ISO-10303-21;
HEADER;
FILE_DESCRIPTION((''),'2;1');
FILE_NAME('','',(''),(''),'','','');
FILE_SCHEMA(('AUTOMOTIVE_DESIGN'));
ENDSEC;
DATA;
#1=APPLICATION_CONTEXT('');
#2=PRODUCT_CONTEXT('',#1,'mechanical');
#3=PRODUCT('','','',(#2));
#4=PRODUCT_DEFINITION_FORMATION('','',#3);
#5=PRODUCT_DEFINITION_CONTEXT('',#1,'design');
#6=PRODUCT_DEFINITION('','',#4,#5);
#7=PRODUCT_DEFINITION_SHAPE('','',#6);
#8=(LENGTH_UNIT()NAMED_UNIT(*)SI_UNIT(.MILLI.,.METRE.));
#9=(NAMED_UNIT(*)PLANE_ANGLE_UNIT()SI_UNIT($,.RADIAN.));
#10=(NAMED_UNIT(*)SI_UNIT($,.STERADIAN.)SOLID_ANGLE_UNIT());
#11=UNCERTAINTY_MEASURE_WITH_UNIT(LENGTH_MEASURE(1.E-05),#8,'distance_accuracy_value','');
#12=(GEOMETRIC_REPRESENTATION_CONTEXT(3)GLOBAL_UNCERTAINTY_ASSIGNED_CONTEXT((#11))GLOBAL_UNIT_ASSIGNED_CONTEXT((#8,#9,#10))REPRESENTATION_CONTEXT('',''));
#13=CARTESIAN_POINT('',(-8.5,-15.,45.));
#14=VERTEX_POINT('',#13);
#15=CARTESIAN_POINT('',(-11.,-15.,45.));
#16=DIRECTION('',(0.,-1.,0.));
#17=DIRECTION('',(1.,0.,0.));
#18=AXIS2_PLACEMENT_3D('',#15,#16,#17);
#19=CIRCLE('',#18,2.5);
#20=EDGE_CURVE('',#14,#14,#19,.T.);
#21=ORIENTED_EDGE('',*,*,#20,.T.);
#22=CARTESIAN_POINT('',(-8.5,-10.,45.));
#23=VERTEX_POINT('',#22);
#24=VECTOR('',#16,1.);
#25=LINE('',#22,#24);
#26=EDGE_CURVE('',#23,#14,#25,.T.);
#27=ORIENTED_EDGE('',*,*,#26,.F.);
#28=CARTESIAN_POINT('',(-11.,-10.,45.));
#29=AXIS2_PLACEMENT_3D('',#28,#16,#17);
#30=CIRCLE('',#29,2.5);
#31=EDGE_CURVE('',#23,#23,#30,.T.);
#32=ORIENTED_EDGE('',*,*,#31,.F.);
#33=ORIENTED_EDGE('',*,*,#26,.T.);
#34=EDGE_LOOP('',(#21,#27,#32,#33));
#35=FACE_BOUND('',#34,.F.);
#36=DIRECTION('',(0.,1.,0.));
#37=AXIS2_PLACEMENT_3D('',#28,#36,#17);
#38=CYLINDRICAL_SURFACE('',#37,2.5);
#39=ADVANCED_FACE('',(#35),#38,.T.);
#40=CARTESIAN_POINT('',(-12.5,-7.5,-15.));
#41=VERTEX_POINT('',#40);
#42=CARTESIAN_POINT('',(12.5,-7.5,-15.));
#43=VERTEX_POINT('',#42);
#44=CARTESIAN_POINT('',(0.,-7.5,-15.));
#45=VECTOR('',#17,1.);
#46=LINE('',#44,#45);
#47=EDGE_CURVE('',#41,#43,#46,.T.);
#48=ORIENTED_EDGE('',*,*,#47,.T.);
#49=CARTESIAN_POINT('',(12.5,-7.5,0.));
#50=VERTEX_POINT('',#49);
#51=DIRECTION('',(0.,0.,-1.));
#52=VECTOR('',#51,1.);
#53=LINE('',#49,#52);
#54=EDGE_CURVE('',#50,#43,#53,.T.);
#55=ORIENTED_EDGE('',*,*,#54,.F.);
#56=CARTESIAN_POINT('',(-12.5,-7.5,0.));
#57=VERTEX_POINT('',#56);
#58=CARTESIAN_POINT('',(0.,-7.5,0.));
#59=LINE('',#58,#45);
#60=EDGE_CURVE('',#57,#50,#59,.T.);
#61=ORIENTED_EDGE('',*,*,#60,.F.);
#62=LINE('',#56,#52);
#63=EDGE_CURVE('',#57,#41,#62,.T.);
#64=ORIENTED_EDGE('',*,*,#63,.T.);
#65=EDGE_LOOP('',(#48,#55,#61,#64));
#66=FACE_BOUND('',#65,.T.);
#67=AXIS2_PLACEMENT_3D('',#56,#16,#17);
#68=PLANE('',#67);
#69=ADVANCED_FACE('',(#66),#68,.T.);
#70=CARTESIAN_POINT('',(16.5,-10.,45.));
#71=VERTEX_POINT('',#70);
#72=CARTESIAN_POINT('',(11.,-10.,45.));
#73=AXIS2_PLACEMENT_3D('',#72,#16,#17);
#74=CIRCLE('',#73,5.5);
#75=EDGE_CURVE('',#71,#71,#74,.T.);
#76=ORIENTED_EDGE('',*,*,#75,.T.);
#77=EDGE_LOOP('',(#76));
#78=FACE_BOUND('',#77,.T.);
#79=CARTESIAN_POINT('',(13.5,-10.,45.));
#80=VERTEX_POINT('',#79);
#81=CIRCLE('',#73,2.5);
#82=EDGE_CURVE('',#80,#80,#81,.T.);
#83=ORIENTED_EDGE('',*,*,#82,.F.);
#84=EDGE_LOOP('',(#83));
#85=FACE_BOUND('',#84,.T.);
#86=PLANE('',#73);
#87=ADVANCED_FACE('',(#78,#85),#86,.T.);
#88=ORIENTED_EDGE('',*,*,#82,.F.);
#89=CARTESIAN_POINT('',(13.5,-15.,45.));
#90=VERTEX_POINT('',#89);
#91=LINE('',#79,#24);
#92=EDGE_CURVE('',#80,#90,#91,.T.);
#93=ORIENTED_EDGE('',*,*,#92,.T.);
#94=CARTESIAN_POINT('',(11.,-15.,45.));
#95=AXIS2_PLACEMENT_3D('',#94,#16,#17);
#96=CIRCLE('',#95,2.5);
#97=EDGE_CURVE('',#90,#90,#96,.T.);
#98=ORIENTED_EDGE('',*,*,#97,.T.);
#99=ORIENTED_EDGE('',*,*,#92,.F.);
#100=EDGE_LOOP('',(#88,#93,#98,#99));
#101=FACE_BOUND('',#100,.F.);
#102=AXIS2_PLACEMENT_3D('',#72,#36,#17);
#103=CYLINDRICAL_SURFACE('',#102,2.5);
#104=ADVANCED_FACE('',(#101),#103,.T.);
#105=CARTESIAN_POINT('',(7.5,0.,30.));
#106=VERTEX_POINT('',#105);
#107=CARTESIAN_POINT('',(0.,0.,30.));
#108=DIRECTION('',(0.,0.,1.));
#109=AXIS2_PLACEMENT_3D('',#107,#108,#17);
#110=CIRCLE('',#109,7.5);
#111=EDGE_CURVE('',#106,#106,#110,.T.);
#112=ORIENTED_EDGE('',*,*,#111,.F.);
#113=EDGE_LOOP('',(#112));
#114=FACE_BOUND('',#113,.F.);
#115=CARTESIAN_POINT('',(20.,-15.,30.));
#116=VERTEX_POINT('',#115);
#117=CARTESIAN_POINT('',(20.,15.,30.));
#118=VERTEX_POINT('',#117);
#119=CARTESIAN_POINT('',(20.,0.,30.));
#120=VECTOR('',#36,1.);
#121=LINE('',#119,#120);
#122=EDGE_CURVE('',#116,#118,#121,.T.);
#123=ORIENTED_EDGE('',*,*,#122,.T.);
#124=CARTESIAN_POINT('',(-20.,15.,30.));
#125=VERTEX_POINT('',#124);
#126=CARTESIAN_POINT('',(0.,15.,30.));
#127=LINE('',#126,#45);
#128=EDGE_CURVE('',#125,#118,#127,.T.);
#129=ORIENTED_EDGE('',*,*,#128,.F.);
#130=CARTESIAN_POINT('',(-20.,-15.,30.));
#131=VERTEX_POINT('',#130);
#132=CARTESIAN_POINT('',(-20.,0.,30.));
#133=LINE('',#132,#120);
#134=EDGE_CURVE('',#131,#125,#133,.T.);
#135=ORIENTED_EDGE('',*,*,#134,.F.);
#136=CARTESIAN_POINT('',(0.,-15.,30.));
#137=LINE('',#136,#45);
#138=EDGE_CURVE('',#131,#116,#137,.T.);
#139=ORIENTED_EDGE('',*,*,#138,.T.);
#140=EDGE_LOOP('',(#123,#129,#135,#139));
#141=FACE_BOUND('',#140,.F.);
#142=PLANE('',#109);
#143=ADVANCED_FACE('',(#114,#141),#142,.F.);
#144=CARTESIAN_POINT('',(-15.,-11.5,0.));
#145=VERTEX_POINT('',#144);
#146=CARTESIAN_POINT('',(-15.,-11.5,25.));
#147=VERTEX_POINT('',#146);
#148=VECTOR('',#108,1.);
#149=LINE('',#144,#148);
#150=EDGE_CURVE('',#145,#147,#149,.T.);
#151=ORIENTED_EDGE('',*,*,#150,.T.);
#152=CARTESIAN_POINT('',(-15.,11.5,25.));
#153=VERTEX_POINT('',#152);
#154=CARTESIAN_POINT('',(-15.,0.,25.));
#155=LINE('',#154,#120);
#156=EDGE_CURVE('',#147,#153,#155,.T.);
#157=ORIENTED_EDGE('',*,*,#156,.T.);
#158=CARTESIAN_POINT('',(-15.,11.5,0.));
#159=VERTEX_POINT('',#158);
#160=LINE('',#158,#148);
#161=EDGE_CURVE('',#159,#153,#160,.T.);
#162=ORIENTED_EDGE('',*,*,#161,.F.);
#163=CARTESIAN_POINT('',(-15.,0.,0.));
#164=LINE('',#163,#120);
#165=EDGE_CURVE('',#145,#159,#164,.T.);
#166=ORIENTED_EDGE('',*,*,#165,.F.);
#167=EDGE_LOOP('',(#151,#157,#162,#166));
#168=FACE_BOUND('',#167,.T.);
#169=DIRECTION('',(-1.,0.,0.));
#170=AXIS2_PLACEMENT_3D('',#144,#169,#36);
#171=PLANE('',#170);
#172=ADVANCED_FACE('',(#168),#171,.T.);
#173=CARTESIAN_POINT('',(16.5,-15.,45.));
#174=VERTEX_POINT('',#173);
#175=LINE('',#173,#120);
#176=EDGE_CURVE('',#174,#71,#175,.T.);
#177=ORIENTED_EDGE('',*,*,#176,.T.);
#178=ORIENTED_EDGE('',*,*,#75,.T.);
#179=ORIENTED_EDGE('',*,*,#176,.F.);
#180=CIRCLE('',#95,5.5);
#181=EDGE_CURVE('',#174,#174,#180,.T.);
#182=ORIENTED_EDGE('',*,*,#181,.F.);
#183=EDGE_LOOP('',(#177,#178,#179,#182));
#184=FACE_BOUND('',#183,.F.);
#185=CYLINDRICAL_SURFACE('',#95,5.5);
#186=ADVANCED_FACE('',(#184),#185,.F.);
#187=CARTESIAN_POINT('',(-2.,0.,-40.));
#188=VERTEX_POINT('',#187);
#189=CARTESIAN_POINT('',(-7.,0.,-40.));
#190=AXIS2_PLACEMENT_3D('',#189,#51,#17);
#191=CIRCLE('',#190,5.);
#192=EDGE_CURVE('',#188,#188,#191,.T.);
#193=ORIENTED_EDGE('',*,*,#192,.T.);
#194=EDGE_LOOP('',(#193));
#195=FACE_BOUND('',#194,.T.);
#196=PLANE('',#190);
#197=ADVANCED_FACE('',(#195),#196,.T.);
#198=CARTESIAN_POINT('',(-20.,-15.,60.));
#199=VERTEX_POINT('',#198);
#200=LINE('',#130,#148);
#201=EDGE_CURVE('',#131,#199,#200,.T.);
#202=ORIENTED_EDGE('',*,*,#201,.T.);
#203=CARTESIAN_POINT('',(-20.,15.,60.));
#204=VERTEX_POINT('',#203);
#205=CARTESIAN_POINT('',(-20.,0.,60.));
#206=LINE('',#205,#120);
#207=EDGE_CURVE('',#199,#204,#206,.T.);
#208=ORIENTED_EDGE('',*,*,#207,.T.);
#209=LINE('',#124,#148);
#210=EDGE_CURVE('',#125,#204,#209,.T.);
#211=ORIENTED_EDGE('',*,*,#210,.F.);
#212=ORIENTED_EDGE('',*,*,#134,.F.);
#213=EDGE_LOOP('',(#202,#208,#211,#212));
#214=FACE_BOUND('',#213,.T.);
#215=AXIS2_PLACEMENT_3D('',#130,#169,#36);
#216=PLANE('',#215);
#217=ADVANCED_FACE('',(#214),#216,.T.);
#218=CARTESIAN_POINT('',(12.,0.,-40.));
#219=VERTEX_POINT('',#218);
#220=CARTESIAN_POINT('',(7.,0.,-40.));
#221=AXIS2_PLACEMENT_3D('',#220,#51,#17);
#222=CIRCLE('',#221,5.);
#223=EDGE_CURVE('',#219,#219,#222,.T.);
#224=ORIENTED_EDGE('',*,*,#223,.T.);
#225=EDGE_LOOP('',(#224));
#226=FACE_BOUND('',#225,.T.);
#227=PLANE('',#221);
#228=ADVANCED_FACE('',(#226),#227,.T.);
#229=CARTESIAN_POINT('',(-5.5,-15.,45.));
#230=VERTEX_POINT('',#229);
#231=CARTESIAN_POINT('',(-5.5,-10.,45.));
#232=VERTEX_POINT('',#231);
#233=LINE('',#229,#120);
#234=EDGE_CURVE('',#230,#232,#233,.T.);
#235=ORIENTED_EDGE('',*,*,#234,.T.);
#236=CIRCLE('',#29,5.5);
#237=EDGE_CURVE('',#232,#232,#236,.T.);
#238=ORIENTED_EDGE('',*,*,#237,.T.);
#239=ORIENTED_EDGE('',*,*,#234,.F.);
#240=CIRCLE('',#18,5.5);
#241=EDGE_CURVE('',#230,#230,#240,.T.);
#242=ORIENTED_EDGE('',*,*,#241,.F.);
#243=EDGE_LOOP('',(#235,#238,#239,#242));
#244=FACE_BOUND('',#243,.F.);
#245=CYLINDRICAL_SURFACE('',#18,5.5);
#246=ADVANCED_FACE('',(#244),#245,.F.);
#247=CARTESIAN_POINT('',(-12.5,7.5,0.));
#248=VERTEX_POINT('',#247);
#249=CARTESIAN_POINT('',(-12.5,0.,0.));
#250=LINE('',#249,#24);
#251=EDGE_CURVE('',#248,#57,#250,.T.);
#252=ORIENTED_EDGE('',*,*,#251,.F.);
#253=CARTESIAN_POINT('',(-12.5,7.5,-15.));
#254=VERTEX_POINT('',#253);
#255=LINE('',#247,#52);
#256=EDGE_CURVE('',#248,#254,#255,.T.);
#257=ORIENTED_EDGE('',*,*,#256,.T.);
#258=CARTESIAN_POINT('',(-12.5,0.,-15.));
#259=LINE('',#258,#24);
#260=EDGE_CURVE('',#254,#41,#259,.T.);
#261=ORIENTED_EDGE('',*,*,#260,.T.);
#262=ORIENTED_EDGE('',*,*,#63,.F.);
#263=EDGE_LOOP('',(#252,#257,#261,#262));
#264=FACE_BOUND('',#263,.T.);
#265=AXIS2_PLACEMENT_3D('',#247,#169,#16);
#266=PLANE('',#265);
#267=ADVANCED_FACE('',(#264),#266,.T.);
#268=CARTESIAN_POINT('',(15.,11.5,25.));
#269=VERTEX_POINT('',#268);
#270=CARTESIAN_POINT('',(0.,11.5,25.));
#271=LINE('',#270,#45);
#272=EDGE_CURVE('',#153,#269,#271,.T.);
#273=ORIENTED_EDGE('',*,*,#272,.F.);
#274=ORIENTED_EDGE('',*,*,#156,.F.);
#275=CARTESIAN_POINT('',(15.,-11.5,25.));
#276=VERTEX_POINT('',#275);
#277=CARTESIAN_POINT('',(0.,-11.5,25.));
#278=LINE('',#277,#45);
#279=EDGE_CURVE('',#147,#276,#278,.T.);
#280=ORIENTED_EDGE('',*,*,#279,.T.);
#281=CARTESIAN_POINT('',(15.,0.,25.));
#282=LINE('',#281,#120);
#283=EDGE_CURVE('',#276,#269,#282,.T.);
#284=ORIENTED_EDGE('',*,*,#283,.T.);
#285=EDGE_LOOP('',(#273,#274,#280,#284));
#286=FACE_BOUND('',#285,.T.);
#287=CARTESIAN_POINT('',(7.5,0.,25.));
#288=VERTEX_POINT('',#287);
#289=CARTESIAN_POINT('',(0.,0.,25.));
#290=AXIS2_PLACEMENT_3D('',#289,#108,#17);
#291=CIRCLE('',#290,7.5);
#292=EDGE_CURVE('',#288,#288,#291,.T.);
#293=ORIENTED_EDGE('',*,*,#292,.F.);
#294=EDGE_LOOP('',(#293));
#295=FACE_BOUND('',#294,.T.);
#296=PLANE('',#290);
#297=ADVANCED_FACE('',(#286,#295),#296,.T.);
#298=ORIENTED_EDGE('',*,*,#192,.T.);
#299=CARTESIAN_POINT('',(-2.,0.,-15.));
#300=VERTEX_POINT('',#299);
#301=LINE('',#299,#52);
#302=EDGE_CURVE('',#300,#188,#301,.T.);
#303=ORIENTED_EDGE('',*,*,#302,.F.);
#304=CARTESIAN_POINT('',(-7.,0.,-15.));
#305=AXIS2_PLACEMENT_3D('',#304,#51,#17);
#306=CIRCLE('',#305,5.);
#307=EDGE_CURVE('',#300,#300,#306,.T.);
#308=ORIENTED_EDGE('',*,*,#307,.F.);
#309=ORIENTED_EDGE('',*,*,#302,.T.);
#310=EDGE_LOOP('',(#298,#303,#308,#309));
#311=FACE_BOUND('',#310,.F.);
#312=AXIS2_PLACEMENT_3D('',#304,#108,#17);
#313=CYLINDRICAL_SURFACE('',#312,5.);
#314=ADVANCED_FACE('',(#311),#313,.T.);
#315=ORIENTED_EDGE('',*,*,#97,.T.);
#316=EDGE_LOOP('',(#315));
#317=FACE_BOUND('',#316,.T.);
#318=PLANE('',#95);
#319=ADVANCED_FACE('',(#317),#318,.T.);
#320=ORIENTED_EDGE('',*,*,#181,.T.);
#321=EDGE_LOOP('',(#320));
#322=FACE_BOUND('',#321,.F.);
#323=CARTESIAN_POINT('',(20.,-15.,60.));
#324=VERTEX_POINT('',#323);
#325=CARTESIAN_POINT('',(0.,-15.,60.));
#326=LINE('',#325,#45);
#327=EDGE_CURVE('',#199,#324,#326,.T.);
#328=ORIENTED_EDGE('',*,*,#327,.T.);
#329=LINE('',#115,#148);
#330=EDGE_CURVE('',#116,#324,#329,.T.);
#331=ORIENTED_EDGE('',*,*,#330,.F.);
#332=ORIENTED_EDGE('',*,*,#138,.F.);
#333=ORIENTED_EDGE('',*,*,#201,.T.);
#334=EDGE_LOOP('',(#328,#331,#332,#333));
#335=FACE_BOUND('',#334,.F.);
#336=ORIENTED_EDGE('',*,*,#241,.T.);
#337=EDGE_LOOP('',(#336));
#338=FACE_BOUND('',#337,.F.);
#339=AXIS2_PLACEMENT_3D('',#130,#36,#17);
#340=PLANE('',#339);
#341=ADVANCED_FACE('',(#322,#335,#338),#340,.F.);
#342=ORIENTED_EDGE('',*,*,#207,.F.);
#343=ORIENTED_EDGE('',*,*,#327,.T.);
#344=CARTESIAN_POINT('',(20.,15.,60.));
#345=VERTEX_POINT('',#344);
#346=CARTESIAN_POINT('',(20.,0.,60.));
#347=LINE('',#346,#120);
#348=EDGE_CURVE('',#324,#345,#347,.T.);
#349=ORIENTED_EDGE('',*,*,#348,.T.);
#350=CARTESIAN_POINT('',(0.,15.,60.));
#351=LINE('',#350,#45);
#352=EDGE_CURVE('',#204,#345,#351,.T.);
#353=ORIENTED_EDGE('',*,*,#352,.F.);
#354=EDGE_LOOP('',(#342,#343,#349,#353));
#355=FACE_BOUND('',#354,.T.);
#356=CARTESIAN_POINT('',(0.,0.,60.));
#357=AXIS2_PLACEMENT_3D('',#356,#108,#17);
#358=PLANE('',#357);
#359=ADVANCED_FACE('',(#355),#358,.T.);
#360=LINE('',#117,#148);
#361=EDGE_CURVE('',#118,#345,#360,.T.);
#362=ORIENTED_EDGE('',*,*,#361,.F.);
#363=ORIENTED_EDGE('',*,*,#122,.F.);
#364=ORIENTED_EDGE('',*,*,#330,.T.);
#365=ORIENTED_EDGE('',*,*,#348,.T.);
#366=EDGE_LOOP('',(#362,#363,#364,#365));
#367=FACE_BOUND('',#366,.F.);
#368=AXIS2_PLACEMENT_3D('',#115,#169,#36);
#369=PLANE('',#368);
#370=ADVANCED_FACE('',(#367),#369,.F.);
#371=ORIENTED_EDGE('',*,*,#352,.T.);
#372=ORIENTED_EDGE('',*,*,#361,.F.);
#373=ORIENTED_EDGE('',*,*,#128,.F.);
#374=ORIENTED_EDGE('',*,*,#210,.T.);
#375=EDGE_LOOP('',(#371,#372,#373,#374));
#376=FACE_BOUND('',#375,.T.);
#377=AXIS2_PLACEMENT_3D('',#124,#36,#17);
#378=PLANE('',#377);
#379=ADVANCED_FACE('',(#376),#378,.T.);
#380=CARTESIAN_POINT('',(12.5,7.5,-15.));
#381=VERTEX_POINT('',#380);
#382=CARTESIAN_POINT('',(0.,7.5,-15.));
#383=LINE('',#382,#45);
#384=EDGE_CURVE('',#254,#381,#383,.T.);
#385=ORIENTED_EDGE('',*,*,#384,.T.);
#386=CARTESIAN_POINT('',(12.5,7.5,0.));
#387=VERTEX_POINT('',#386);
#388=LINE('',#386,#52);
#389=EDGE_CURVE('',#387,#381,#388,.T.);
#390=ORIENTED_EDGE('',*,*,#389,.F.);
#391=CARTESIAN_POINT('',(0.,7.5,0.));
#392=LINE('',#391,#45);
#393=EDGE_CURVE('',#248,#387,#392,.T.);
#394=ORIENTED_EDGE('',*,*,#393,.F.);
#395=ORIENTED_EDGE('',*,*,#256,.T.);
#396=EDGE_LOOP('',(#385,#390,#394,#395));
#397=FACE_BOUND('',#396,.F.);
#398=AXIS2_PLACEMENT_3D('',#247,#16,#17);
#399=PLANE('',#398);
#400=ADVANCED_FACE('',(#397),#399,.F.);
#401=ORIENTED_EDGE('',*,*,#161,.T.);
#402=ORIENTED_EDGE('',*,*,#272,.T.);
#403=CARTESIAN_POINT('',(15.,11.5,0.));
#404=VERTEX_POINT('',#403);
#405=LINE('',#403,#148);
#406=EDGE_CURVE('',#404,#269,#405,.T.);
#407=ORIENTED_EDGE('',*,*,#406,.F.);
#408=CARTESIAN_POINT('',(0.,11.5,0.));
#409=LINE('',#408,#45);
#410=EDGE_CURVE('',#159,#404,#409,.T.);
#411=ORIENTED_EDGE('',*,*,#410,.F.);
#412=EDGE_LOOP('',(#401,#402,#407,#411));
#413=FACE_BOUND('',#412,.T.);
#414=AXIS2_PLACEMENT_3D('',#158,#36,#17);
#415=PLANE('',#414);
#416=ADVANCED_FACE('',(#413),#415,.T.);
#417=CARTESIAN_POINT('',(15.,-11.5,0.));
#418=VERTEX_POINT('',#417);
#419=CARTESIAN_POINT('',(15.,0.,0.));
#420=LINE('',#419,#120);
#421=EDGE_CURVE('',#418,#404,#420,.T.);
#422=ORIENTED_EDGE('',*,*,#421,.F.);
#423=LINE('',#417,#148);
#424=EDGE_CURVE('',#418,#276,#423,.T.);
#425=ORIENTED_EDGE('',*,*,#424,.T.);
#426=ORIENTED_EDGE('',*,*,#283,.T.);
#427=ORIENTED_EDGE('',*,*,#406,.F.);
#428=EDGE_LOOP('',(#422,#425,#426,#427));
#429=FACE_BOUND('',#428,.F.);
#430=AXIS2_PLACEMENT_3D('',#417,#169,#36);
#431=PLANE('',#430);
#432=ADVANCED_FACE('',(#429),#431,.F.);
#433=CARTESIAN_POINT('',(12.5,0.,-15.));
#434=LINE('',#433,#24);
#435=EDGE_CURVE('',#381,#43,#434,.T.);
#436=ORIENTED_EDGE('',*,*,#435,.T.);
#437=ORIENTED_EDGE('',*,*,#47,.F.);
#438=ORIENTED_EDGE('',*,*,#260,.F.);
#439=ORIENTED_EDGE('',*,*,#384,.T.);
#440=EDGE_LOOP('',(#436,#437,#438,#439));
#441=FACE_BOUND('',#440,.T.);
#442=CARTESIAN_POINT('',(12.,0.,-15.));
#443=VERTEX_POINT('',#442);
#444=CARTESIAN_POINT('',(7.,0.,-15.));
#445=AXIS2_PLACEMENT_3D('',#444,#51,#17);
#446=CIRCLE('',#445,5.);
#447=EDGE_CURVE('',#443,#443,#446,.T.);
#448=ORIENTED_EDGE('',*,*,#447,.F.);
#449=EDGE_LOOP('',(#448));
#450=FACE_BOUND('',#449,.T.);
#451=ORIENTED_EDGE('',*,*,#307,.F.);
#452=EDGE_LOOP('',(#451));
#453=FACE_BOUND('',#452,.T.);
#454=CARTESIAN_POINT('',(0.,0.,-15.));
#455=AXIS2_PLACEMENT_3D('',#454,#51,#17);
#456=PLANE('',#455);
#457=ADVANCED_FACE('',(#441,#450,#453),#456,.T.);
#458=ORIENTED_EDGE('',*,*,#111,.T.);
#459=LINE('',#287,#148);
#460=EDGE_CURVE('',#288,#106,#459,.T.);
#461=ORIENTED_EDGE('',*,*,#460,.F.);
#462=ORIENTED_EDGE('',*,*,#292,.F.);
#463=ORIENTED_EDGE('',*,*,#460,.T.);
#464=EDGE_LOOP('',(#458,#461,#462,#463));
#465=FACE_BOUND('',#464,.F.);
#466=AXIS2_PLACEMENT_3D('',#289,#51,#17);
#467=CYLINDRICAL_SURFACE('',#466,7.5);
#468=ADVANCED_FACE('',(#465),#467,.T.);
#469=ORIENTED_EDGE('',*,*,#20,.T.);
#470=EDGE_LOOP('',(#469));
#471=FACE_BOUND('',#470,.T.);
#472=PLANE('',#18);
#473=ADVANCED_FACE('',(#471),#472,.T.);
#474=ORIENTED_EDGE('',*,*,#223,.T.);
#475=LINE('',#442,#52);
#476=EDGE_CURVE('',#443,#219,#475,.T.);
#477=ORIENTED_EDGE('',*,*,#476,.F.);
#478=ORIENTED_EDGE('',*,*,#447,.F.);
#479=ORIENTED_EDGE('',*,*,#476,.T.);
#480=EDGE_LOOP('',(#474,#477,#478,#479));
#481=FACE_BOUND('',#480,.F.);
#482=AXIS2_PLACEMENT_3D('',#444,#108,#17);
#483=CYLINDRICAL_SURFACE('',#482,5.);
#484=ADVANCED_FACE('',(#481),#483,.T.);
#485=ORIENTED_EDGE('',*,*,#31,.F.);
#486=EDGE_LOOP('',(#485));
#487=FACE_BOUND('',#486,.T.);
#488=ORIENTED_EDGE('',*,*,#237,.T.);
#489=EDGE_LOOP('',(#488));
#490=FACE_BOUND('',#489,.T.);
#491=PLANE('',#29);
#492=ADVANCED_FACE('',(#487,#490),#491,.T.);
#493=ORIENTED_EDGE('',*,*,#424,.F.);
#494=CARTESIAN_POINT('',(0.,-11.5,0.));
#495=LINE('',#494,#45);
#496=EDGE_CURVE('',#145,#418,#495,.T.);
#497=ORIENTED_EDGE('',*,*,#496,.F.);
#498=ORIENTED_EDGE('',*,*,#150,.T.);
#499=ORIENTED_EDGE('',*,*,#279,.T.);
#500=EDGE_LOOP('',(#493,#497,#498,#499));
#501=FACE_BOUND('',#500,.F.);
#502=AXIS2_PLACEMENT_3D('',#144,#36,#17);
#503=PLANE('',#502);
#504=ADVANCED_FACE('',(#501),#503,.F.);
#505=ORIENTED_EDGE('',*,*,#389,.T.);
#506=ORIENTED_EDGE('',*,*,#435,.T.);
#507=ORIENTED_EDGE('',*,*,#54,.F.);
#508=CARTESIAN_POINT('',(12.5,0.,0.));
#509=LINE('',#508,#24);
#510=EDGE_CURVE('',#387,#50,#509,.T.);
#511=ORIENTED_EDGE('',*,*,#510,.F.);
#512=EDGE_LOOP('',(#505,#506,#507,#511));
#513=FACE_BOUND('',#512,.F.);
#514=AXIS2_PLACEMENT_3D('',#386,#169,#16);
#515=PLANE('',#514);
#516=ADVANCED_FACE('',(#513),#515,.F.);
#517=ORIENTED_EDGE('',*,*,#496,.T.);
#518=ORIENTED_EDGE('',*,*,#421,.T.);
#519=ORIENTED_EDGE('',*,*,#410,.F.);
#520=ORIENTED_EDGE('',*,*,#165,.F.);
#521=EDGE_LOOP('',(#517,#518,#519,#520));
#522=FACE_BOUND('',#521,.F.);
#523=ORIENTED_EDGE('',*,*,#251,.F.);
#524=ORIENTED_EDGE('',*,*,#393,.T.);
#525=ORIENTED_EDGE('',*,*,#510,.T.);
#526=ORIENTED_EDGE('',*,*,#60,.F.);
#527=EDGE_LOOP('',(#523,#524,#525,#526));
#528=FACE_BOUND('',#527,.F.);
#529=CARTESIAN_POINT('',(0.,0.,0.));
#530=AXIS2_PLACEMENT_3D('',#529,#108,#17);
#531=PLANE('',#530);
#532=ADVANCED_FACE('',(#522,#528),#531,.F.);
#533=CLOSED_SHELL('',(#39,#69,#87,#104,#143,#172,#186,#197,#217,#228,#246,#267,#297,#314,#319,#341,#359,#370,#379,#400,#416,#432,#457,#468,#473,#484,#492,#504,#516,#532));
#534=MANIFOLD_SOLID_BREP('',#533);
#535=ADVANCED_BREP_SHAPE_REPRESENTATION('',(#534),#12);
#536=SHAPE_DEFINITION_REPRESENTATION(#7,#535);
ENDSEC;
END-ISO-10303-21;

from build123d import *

# Parameters (mm, degrees)
F0_W      = 30
F0_H      = 23
F1_DEPTH  = 25
F2_W      = 25
F2_H      = 15
F3_DEPTH  = 15
F4_R      = 5
F5_DEPTH  = 25
F6_R      = 7.5
F7_DEPTH  = 5
F8_W      = 40
F8_H      = 30
F9_DEPTH  = 30
F10_R     = 5.5
F11_DEPTH = 5
F12_R     = 2.5
F13_DEPTH = 5
F14_R     = 2.5
F15_DEPTH = 5


with BuildPart() as f1:
    # F0 (on Top) → F1 (new body)
    with BuildSketch(Plane.XY):
        Rectangle(F0_W, F0_H)
    extrude(amount=F1_DEPTH)

    # F2 (on face) → F3 (join)
    with BuildSketch(Plane(origin=(0, 0, 0), x_dir=(1, 0, 0), z_dir=(0, 0, -1))):
        Rectangle(F2_W, F2_H)
    extrude(amount=F3_DEPTH)

    # F4 (on face) → F5 (join)
    with BuildSketch(Plane(origin=(0, 0, -15), x_dir=(1, 0, 0), z_dir=(0, 0, -1))):
        with Locations((7, 0)):
            Circle(F4_R)
        with Locations((-7, 0)):
            Circle(F4_R)
    extrude(amount=F5_DEPTH)

    # F6 (on face) → F7 (join)
    with BuildSketch(Plane.XY.offset(25)):
        Circle(F6_R)
    extrude(amount=F7_DEPTH)

    # F8 (on face) → F9 (join)
    with BuildSketch(Plane.XY.offset(30)):
        Rectangle(F8_W, F8_H)
    extrude(amount=F9_DEPTH)

    # F10 (on face) → F11 (cut)
    with BuildSketch(Plane.XZ.offset(15)):
        with Locations((-11, 45)):
            Circle(F10_R)
        with Locations((11, 45)):
            Circle(F10_R)
    extrude(amount=-F11_DEPTH, mode=Mode.SUBTRACT)

    # F12 (on face) → F13 (join)
    with BuildSketch(Plane.XZ.offset(10)):
        with Locations((-11, 45)):
            Circle(F12_R)
    extrude(amount=F13_DEPTH)

    # F14 (on face) → F15 (join)
    with BuildSketch(Plane.XZ.offset(10)):
        with Locations((11, 45)):
            Circle(F14_R)
    extrude(amount=F15_DEPTH)


solid = f1.part
